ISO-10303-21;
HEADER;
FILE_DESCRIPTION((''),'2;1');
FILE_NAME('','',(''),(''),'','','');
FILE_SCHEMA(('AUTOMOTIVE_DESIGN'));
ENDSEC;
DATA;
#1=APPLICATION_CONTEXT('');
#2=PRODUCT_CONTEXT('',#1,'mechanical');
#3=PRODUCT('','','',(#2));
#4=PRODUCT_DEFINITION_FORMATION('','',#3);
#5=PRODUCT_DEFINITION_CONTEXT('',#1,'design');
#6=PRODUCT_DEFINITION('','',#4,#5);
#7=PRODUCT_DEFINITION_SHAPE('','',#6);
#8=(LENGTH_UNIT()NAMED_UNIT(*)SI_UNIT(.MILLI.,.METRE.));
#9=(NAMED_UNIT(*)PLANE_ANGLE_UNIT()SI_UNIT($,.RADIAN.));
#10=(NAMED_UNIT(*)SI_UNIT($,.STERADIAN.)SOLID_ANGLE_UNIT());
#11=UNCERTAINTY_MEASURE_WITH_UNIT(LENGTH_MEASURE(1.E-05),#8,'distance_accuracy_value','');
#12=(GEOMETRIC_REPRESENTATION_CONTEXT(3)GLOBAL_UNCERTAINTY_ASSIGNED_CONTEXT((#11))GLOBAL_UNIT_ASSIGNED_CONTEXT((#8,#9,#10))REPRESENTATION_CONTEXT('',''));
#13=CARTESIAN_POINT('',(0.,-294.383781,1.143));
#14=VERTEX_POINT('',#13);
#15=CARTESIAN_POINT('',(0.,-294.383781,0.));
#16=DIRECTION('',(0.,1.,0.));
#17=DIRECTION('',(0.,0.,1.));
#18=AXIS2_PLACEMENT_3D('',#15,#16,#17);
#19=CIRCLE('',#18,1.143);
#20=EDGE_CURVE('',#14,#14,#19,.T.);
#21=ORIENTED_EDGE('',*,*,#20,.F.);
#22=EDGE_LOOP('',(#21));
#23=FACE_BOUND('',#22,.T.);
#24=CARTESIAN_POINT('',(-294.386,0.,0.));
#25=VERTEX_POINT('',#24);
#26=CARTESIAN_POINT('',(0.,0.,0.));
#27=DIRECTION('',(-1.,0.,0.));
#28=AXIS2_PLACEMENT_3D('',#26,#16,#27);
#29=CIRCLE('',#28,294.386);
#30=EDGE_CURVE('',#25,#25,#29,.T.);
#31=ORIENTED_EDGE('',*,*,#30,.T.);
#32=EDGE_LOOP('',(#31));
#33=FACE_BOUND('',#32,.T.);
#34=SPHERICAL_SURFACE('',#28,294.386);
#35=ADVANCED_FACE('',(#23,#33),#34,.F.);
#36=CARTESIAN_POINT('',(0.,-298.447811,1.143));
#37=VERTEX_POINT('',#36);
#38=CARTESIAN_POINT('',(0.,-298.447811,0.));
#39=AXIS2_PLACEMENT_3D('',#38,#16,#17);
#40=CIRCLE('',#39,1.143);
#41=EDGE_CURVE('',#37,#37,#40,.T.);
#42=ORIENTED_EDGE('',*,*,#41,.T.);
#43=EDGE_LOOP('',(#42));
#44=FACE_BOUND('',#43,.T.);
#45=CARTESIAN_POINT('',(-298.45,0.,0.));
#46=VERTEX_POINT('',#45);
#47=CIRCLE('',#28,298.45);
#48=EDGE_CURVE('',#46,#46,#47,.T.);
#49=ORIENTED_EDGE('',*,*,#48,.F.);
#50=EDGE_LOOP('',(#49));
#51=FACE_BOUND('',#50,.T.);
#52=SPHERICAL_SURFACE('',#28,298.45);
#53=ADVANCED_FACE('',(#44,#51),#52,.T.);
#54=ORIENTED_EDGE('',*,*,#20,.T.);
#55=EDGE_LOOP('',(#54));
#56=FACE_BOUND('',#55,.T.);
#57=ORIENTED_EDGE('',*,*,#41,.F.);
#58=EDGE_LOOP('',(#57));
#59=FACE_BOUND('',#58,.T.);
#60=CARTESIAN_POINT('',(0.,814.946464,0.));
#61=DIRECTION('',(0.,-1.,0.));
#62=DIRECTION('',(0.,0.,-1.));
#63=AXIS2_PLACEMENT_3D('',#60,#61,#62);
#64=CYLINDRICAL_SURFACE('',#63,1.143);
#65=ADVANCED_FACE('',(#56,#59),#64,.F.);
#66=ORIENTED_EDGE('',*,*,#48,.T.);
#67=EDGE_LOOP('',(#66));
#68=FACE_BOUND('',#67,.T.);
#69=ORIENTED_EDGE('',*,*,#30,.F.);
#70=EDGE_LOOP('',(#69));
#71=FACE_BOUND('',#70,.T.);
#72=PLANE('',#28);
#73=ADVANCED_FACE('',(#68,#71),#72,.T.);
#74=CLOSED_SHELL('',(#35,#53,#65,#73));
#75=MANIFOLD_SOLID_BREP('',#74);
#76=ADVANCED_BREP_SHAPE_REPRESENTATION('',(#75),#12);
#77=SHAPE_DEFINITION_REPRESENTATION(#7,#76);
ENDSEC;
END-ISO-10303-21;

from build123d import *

# Parameters (mm, degrees)
SKETCH2_R          = 1.143
CUT_EXTRUDE1_DEPTH = 1203.198


with BuildPart() as part:
    # Sketch1 → Revolve1 (revolve)
    with BuildSketch(Plane.XY):
        with BuildLine():
            ThreePointArc((0, -294.386), (-208.162336886, -208.162336886), (-294.386, 0))
            Line((-294.386, 0), (-298.45, 0))
            ThreePointArc((-298.45, 0), (-211.036018845, -211.036018845), (0, -298.45))
            Line((0, -298.45), (0, -294.386))
        make_face()
    revolve(axis=Axis((0, 0, 0), (0, -1, 0)))

    # Sketch2 → Cut-Extrude1 (cut)
    with BuildSketch(Plane(origin=(-309.812024235, -388.251536458, -376.865657868), x_dir=(1, 0, 0), z_dir=(0, 1, 0))):
        with Locations(Location((309.812024235, -376.865657868, 0), (0, 0, 180))):
            Circle(SKETCH2_R)
    extrude(amount=CUT_EXTRUDE1_DEPTH, mode=Mode.SUBTRACT)


solid = part.part
